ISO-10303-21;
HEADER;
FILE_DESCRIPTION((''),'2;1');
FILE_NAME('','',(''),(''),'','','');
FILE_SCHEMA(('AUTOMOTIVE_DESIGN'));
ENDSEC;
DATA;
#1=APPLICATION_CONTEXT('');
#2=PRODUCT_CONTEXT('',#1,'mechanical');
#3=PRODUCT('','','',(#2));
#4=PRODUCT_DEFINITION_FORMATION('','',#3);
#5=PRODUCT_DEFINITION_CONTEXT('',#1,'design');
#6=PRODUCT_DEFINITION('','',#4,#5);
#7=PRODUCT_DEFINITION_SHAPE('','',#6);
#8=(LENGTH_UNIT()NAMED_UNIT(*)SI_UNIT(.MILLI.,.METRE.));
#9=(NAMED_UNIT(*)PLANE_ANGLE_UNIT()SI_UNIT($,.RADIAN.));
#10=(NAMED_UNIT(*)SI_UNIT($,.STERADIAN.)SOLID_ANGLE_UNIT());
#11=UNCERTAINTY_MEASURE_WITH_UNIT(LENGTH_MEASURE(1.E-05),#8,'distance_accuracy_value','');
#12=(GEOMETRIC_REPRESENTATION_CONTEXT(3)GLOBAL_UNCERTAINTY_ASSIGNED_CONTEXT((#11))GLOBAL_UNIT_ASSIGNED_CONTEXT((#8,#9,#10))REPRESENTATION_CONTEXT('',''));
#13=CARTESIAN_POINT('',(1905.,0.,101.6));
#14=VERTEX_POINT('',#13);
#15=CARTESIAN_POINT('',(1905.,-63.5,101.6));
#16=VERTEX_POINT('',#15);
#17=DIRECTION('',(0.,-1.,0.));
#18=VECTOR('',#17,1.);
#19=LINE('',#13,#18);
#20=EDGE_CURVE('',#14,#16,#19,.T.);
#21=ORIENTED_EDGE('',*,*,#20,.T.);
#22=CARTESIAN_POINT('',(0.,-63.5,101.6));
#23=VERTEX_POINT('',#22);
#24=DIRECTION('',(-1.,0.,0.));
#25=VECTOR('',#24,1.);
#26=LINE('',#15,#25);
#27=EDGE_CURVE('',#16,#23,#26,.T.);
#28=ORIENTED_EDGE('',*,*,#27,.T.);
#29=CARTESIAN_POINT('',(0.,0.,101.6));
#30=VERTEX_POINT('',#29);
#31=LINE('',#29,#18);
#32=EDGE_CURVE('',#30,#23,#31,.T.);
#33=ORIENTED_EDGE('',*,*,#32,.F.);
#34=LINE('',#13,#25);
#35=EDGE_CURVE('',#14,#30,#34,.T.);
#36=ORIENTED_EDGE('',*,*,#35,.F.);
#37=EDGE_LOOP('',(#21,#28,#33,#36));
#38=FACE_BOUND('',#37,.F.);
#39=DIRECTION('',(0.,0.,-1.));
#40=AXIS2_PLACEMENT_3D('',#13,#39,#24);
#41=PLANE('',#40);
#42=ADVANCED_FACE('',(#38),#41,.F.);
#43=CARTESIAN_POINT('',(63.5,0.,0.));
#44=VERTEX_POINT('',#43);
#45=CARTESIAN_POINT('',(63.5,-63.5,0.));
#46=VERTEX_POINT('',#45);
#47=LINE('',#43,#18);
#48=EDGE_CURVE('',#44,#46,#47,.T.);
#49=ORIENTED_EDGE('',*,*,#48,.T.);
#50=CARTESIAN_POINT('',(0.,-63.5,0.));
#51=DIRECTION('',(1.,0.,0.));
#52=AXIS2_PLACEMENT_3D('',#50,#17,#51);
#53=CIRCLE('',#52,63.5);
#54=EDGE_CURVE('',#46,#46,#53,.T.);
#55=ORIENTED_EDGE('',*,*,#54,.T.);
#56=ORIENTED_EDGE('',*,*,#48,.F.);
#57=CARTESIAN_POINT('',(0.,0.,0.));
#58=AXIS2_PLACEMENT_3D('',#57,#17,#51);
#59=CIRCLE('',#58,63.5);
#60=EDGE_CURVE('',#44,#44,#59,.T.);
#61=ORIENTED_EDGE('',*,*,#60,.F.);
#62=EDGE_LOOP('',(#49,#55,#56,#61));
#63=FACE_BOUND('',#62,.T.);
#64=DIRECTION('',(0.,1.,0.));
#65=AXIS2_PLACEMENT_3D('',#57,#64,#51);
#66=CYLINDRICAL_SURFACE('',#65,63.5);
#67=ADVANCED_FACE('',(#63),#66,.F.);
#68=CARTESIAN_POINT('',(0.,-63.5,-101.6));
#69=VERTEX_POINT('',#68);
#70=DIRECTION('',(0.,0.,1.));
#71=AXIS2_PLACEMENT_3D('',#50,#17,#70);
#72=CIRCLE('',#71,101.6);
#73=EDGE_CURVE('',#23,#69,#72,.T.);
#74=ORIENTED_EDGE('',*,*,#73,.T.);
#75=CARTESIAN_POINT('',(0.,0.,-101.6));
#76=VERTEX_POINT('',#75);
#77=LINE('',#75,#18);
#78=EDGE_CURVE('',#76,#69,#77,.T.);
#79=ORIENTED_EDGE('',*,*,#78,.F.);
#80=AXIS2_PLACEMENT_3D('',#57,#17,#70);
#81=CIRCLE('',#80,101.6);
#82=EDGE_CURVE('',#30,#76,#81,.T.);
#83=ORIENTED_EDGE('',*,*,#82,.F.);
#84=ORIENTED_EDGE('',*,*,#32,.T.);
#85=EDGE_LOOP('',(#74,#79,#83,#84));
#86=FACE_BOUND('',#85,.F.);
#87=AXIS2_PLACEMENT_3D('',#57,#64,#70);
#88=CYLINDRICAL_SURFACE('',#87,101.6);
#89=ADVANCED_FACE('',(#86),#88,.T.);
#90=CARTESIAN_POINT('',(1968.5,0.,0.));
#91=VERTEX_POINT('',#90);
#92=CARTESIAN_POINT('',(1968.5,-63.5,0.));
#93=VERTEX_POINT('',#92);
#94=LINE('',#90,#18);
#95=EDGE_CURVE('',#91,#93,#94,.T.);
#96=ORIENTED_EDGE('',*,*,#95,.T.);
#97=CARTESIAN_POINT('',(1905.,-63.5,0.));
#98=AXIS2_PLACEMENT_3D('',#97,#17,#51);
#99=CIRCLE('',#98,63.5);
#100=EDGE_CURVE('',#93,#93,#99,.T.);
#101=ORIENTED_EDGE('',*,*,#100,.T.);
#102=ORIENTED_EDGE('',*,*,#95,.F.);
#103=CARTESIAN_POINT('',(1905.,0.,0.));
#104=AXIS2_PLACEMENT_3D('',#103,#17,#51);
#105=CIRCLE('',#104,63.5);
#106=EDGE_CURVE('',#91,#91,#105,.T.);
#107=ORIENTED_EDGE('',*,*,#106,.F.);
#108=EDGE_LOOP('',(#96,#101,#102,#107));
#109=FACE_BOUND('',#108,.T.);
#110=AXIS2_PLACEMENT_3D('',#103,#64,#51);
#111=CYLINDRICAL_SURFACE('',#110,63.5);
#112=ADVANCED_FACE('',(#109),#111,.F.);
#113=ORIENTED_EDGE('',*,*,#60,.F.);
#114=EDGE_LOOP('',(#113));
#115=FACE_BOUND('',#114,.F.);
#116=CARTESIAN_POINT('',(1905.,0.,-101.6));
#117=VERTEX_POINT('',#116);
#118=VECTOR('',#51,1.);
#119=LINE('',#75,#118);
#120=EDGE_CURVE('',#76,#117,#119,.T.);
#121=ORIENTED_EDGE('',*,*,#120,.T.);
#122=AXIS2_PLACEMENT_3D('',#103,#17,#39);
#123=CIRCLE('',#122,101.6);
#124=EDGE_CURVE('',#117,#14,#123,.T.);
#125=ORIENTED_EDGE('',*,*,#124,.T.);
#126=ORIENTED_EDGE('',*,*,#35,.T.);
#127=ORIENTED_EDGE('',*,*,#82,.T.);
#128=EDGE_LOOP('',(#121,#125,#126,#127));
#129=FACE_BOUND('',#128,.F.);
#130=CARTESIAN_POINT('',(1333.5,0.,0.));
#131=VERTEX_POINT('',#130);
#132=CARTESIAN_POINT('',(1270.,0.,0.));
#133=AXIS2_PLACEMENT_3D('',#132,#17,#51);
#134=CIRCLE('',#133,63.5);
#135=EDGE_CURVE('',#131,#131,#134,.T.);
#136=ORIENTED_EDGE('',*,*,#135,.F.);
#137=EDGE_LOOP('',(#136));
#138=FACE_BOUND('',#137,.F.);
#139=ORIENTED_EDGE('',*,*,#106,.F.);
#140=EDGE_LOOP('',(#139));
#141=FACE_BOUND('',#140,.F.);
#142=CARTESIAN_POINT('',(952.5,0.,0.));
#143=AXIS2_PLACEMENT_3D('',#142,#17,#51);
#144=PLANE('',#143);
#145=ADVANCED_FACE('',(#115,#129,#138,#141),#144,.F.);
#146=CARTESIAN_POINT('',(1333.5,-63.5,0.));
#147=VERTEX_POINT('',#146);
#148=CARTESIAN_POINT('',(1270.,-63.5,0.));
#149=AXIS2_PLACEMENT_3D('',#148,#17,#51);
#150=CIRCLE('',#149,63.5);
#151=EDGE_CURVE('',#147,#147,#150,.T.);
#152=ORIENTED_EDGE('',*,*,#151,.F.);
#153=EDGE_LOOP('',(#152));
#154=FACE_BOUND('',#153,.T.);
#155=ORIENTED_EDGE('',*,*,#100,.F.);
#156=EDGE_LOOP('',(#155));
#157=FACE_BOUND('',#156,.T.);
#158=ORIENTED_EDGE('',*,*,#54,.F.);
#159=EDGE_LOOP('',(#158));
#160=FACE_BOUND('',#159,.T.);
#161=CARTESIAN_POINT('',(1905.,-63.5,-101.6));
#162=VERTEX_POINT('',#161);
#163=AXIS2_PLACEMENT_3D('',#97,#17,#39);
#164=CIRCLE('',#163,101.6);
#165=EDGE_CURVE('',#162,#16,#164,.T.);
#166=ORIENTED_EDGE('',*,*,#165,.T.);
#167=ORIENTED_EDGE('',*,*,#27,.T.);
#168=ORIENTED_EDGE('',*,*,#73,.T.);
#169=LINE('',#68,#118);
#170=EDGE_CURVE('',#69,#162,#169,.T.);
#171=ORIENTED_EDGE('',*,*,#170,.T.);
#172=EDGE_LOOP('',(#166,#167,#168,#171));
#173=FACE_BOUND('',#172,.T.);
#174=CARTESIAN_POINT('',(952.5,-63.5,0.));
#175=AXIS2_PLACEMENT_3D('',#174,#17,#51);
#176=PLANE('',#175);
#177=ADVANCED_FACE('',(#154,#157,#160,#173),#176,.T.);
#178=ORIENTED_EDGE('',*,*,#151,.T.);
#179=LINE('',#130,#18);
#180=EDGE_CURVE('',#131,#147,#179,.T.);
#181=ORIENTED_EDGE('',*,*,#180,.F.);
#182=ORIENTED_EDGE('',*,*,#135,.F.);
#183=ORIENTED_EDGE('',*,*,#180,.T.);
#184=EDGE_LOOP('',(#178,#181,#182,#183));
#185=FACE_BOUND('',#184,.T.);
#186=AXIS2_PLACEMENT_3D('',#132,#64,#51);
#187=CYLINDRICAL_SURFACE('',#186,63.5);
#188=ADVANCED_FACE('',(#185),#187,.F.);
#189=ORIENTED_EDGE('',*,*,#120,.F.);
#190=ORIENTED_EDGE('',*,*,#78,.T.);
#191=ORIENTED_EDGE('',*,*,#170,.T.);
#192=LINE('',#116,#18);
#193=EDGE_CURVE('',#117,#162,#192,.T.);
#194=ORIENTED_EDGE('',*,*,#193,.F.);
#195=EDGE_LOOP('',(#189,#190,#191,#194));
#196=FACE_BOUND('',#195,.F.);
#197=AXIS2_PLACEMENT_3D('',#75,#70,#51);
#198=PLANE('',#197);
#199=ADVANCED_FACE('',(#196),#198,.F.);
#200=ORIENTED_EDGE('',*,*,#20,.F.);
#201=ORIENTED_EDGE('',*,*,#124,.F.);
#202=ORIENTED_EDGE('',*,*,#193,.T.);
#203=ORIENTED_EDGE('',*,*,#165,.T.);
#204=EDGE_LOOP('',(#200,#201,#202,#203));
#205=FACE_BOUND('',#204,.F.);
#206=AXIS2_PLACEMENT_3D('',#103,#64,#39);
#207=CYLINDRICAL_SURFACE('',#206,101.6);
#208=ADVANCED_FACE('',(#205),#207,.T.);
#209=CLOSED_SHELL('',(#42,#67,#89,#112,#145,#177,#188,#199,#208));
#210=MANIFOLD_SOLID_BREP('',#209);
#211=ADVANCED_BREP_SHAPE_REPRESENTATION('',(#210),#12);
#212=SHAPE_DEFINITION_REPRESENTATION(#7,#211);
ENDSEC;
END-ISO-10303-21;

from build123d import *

# Parameters (mm, degrees)
F0_R     = 63.5
F1_DEPTH = 63.5


with BuildPart() as f1:
    # F0 (on Front) → F1 (new body)
    with BuildSketch(Plane.XZ):
        with BuildLine():
            Line((1905, 101.6), (0, 101.6))
            ThreePointArc((0, 101.6), (-101.6, 0), (0, -101.6))
            Line((0, -101.6), (1905, -101.6))
            ThreePointArc((1905, -101.6), (2006.6, 0), (1905, 101.6))
        make_face()
        Circle(F0_R, mode=Mode.SUBTRACT)
        with Locations((1270, 0)):
            Circle(F0_R, mode=Mode.SUBTRACT)
        with Locations((1905, 0)):
            Circle(F0_R, mode=Mode.SUBTRACT)
    extrude(amount=F1_DEPTH)


solid = f1.part
